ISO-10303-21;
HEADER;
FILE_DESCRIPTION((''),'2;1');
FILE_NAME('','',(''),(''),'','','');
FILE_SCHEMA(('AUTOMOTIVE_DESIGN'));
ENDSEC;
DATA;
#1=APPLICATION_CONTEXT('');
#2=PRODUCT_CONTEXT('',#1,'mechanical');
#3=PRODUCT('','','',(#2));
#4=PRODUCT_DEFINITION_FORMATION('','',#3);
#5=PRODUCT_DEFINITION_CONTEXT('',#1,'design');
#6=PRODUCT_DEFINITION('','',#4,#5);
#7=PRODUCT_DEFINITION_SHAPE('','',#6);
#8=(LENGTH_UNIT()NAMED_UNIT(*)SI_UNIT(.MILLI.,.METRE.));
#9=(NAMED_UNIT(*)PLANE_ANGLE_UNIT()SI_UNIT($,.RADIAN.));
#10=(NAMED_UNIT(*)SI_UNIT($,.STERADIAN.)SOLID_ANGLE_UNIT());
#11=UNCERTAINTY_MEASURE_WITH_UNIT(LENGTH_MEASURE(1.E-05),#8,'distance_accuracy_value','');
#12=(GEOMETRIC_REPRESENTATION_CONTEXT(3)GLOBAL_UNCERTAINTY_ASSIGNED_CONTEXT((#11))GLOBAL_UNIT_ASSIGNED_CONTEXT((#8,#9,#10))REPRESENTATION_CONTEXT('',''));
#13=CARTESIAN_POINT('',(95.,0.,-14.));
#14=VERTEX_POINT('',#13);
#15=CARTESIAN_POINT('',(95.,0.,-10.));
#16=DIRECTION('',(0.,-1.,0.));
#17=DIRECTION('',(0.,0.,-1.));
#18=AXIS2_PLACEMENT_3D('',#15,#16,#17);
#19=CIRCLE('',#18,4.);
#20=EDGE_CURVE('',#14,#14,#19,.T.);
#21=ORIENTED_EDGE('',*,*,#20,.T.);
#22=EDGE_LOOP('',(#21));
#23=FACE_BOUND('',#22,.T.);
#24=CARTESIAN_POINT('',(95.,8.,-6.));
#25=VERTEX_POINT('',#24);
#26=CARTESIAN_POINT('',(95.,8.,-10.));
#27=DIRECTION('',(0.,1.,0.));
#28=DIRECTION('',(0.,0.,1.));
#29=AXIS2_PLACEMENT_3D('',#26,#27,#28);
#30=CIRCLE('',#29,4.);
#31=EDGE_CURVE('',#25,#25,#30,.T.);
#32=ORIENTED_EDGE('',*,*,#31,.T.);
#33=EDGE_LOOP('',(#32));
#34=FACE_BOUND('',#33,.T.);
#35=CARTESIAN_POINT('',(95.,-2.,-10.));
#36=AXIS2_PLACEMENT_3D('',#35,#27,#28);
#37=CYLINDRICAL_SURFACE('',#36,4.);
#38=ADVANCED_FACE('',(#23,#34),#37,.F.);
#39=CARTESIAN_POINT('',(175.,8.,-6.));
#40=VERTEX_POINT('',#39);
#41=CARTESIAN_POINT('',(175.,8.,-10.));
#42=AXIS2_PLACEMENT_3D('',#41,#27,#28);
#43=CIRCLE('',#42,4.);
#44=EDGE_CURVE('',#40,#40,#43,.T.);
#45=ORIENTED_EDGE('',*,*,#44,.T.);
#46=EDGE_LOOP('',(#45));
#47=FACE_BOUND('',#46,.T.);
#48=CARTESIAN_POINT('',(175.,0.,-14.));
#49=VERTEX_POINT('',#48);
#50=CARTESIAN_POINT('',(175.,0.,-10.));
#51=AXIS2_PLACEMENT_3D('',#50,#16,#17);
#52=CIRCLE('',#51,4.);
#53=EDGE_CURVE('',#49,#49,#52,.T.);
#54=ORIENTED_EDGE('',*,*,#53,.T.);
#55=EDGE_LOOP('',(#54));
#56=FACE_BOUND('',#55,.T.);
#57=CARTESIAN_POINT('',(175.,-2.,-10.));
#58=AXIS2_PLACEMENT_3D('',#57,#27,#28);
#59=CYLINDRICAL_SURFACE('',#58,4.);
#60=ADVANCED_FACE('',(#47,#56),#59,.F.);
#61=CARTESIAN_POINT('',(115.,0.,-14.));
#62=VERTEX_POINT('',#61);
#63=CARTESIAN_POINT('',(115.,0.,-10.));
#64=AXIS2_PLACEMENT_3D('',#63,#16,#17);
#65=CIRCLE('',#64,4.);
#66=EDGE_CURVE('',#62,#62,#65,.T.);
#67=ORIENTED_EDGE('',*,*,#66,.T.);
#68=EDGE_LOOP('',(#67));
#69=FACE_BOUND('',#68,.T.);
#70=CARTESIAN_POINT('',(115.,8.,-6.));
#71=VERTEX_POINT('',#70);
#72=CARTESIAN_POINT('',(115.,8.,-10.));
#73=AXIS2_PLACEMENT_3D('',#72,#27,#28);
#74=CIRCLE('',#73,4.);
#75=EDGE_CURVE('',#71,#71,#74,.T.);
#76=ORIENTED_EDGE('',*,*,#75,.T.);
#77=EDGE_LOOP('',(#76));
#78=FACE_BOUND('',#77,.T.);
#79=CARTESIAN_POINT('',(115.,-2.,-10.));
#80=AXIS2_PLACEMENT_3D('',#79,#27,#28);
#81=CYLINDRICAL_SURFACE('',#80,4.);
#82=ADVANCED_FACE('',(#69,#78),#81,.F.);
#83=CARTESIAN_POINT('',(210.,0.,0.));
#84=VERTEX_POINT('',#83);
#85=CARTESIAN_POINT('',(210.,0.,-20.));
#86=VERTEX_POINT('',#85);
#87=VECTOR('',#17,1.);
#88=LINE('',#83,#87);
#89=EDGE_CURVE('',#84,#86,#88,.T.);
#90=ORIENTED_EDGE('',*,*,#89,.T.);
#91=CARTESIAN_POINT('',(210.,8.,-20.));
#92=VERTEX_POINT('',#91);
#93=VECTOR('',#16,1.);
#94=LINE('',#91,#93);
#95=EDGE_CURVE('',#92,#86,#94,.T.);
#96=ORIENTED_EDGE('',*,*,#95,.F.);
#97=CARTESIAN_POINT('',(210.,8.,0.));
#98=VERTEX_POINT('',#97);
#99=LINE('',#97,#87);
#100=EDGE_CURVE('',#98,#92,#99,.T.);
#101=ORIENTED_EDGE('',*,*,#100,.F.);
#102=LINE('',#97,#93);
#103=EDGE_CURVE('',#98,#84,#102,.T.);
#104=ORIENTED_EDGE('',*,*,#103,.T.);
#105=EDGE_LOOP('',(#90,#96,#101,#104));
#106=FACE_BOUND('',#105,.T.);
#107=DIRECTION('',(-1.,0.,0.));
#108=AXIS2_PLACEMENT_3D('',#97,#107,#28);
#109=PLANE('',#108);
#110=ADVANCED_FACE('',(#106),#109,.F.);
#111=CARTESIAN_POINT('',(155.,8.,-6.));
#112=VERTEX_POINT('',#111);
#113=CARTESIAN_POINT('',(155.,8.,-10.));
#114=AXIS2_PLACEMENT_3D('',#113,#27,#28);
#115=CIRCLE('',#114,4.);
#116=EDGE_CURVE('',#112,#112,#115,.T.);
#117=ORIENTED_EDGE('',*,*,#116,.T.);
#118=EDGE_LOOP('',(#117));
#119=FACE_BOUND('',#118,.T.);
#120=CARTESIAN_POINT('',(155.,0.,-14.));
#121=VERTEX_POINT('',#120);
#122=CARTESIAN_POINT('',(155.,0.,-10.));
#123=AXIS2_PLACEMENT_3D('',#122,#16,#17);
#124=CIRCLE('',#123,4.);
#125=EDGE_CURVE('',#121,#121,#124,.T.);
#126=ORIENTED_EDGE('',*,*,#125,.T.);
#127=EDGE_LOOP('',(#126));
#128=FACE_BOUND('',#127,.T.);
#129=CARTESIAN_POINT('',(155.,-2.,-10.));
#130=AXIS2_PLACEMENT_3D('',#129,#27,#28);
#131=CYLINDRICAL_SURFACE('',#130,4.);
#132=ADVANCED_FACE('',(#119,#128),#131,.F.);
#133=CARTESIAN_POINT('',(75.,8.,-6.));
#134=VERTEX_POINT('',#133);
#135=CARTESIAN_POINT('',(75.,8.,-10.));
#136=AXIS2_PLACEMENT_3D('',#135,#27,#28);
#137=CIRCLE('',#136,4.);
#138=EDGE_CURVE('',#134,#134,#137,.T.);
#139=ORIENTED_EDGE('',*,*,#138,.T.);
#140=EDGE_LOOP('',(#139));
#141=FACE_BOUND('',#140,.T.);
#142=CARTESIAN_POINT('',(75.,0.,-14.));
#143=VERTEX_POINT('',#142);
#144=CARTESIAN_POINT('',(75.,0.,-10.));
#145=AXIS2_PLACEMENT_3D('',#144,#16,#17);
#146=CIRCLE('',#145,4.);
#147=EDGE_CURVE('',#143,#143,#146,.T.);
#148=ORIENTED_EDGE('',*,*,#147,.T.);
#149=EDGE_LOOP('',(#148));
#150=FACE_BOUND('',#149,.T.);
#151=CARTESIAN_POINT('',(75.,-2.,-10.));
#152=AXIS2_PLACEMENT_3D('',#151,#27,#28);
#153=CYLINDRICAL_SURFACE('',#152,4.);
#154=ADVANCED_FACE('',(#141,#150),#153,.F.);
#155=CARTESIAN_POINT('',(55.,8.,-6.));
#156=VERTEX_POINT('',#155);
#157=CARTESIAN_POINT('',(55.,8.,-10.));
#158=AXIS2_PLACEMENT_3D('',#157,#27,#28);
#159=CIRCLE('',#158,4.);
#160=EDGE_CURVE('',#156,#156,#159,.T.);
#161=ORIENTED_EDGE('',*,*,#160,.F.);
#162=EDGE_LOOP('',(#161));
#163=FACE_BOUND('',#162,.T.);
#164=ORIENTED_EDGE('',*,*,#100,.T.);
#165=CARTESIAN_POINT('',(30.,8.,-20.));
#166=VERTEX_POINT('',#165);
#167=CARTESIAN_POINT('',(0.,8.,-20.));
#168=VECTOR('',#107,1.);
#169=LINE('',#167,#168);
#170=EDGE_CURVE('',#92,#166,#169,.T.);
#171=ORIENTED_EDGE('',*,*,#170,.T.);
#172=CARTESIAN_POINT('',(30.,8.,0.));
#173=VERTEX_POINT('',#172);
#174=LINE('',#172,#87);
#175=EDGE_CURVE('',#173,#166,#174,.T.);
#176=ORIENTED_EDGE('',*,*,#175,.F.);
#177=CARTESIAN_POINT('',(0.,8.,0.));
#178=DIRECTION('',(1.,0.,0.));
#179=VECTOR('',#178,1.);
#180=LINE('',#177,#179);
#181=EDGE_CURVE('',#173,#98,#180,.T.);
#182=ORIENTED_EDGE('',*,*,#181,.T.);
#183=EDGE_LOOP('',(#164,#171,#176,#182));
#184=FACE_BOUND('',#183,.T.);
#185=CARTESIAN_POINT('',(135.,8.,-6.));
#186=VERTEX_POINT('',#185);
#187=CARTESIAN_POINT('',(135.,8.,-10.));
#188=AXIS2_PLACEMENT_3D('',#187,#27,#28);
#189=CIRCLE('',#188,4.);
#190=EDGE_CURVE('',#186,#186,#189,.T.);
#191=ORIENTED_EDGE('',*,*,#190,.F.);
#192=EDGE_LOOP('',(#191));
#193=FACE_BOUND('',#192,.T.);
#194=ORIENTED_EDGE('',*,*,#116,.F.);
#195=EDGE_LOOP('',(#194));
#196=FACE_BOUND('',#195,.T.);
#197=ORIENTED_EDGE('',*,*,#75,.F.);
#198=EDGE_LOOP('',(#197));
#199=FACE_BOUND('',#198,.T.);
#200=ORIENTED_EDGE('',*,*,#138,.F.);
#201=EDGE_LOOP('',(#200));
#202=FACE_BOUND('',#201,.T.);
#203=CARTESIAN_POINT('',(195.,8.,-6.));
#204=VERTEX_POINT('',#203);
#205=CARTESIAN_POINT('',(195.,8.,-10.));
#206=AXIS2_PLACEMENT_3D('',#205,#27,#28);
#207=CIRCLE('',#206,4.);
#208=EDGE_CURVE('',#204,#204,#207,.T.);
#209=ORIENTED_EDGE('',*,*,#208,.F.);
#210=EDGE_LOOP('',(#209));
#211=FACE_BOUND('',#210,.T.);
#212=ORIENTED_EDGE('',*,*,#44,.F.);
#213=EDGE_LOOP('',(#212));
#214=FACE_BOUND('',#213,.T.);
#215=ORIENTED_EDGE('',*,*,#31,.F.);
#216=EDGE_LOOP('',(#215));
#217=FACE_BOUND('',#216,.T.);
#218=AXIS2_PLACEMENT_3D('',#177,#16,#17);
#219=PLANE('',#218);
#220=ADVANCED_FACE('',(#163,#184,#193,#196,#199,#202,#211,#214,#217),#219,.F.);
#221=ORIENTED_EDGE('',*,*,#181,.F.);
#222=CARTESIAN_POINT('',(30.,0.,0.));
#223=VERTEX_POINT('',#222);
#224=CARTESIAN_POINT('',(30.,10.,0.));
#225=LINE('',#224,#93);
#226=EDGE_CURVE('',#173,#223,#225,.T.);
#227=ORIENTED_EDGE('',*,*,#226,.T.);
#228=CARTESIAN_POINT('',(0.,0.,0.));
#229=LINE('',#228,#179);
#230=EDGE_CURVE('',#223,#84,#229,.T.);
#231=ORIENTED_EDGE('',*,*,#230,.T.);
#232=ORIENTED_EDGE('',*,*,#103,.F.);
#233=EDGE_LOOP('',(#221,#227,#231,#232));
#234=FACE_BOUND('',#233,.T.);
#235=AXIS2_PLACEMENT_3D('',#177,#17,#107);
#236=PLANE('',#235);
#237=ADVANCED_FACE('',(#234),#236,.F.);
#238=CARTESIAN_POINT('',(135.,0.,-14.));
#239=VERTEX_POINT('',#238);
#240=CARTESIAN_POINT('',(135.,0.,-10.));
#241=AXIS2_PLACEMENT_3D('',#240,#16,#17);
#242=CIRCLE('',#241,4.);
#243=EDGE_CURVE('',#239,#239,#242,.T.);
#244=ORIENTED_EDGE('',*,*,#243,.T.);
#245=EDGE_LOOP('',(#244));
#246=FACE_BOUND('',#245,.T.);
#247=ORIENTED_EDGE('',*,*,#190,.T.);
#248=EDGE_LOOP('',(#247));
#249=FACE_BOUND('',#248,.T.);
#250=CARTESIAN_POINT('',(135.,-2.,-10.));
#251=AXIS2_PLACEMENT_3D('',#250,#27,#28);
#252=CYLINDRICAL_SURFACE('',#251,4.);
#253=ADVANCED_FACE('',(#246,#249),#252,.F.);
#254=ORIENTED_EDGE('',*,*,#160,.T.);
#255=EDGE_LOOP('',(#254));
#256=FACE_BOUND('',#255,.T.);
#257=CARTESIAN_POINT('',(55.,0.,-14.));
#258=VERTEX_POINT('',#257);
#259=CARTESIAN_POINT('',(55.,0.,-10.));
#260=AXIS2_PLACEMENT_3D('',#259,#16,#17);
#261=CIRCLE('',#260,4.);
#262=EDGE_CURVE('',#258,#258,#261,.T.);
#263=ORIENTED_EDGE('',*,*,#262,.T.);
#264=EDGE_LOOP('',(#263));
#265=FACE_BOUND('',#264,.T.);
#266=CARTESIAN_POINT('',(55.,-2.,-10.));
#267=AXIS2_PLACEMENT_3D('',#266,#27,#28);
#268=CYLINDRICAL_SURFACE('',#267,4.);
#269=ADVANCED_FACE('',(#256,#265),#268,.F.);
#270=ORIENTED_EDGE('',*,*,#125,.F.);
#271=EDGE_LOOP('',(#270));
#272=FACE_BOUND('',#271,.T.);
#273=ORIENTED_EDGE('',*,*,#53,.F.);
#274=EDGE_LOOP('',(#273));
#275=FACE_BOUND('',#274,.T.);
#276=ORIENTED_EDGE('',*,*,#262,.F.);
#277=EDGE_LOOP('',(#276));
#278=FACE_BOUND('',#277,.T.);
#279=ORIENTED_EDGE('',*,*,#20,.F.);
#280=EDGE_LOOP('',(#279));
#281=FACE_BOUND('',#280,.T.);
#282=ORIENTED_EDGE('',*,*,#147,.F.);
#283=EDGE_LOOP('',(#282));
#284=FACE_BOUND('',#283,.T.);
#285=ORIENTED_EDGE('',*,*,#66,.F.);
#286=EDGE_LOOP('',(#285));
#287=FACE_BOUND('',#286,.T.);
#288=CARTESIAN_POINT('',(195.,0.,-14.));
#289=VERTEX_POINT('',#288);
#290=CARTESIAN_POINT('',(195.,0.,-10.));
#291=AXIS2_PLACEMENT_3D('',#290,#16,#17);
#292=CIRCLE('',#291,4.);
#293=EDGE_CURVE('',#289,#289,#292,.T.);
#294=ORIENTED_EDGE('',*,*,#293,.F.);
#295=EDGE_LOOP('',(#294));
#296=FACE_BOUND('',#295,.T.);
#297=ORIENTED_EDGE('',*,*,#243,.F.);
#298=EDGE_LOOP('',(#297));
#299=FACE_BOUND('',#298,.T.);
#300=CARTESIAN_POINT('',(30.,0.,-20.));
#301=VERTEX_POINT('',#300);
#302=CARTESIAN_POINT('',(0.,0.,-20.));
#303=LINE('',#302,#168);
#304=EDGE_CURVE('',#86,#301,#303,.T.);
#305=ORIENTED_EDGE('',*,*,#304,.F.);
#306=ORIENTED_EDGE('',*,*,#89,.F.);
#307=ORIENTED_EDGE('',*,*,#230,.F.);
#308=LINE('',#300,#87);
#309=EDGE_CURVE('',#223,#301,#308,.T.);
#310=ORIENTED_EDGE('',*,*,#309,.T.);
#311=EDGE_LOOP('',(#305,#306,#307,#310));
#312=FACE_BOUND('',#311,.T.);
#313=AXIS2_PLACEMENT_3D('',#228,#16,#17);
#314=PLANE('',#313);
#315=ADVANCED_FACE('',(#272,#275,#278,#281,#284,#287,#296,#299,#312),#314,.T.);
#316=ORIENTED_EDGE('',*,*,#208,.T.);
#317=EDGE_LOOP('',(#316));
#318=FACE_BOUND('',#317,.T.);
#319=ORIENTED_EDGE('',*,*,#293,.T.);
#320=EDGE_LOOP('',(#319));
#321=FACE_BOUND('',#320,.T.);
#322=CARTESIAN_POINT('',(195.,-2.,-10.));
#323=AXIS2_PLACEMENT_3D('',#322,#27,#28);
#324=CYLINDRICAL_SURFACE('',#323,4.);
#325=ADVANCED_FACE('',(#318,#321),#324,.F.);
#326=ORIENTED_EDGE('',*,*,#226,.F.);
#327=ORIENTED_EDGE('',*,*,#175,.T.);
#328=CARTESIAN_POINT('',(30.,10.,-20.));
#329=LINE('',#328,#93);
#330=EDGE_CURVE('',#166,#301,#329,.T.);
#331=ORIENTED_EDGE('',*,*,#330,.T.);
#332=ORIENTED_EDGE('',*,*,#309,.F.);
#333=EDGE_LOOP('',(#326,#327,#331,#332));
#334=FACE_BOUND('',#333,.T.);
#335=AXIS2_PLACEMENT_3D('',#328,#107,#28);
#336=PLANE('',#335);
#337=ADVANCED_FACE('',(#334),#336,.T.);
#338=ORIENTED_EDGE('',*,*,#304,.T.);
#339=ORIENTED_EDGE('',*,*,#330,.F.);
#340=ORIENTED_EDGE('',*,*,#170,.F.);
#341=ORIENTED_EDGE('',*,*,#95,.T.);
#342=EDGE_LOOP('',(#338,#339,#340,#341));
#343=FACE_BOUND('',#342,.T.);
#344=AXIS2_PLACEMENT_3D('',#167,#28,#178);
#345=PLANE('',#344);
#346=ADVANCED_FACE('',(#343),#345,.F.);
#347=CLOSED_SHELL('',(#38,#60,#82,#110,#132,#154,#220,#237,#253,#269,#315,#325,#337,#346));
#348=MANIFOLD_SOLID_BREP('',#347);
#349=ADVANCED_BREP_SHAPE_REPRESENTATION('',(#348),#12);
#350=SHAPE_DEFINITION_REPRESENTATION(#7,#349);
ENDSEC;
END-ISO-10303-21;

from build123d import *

# Parameters (mm, degrees)
SKETCH1_W           = 210
SKETCH1_H           = 20
BOSS_EXTRUDE1_DEPTH = 8
SKETCH2_R           = 4
CUT_EXTRUDE1_DEPTH  = 10
LPATTERN1_COUNT     = 8
LPATTERN1_PITCH     = 20
SKETCH4_W           = 80
SKETCH4_H           = 20
CUT_EXTRUDE2_DEPTH  = 10


with BuildPart() as part:
    # Sketch1 → Boss-Extrude1 (new body)
    with BuildSketch(Plane(origin=(0, 0, 0), x_dir=(1, 0, 0), z_dir=(0, 1, 0))):
        with Locations((105, 10)):
            Rectangle(SKETCH1_W, SKETCH1_H)
    extrude(amount=BOSS_EXTRUDE1_DEPTH)

    # Sketch2 → Cut-Extrude1 (cut)
    with BuildSketch(Plane(origin=(0, 8, 0), x_dir=(1, 0, 0), z_dir=(0, 1, 0))):
        with Locations(Location((195, 10, 0), (0, 0, 270))):
            Circle(SKETCH2_R)
    cut_extrude1 = extrude(amount=-CUT_EXTRUDE1_DEPTH, mode=Mode.SUBTRACT)

    # LPattern1: Cut-Extrude1 ×8
    with Locations(*[(-i * LPATTERN1_PITCH, 0, 0) for i in range(1, LPATTERN1_COUNT)]):
        add(cut_extrude1, mode=Mode.SUBTRACT)

    # Sketch4 → Cut-Extrude2 (cut)
    with BuildSketch(Plane(origin=(0, 0, 0), x_dir=(1, 0, 0), z_dir=(0, 1, 0))):
        with Locations((-10, 10)):
            Rectangle(SKETCH4_W, SKETCH4_H)
    extrude(amount=CUT_EXTRUDE2_DEPTH, mode=Mode.SUBTRACT)


solid = part.part
